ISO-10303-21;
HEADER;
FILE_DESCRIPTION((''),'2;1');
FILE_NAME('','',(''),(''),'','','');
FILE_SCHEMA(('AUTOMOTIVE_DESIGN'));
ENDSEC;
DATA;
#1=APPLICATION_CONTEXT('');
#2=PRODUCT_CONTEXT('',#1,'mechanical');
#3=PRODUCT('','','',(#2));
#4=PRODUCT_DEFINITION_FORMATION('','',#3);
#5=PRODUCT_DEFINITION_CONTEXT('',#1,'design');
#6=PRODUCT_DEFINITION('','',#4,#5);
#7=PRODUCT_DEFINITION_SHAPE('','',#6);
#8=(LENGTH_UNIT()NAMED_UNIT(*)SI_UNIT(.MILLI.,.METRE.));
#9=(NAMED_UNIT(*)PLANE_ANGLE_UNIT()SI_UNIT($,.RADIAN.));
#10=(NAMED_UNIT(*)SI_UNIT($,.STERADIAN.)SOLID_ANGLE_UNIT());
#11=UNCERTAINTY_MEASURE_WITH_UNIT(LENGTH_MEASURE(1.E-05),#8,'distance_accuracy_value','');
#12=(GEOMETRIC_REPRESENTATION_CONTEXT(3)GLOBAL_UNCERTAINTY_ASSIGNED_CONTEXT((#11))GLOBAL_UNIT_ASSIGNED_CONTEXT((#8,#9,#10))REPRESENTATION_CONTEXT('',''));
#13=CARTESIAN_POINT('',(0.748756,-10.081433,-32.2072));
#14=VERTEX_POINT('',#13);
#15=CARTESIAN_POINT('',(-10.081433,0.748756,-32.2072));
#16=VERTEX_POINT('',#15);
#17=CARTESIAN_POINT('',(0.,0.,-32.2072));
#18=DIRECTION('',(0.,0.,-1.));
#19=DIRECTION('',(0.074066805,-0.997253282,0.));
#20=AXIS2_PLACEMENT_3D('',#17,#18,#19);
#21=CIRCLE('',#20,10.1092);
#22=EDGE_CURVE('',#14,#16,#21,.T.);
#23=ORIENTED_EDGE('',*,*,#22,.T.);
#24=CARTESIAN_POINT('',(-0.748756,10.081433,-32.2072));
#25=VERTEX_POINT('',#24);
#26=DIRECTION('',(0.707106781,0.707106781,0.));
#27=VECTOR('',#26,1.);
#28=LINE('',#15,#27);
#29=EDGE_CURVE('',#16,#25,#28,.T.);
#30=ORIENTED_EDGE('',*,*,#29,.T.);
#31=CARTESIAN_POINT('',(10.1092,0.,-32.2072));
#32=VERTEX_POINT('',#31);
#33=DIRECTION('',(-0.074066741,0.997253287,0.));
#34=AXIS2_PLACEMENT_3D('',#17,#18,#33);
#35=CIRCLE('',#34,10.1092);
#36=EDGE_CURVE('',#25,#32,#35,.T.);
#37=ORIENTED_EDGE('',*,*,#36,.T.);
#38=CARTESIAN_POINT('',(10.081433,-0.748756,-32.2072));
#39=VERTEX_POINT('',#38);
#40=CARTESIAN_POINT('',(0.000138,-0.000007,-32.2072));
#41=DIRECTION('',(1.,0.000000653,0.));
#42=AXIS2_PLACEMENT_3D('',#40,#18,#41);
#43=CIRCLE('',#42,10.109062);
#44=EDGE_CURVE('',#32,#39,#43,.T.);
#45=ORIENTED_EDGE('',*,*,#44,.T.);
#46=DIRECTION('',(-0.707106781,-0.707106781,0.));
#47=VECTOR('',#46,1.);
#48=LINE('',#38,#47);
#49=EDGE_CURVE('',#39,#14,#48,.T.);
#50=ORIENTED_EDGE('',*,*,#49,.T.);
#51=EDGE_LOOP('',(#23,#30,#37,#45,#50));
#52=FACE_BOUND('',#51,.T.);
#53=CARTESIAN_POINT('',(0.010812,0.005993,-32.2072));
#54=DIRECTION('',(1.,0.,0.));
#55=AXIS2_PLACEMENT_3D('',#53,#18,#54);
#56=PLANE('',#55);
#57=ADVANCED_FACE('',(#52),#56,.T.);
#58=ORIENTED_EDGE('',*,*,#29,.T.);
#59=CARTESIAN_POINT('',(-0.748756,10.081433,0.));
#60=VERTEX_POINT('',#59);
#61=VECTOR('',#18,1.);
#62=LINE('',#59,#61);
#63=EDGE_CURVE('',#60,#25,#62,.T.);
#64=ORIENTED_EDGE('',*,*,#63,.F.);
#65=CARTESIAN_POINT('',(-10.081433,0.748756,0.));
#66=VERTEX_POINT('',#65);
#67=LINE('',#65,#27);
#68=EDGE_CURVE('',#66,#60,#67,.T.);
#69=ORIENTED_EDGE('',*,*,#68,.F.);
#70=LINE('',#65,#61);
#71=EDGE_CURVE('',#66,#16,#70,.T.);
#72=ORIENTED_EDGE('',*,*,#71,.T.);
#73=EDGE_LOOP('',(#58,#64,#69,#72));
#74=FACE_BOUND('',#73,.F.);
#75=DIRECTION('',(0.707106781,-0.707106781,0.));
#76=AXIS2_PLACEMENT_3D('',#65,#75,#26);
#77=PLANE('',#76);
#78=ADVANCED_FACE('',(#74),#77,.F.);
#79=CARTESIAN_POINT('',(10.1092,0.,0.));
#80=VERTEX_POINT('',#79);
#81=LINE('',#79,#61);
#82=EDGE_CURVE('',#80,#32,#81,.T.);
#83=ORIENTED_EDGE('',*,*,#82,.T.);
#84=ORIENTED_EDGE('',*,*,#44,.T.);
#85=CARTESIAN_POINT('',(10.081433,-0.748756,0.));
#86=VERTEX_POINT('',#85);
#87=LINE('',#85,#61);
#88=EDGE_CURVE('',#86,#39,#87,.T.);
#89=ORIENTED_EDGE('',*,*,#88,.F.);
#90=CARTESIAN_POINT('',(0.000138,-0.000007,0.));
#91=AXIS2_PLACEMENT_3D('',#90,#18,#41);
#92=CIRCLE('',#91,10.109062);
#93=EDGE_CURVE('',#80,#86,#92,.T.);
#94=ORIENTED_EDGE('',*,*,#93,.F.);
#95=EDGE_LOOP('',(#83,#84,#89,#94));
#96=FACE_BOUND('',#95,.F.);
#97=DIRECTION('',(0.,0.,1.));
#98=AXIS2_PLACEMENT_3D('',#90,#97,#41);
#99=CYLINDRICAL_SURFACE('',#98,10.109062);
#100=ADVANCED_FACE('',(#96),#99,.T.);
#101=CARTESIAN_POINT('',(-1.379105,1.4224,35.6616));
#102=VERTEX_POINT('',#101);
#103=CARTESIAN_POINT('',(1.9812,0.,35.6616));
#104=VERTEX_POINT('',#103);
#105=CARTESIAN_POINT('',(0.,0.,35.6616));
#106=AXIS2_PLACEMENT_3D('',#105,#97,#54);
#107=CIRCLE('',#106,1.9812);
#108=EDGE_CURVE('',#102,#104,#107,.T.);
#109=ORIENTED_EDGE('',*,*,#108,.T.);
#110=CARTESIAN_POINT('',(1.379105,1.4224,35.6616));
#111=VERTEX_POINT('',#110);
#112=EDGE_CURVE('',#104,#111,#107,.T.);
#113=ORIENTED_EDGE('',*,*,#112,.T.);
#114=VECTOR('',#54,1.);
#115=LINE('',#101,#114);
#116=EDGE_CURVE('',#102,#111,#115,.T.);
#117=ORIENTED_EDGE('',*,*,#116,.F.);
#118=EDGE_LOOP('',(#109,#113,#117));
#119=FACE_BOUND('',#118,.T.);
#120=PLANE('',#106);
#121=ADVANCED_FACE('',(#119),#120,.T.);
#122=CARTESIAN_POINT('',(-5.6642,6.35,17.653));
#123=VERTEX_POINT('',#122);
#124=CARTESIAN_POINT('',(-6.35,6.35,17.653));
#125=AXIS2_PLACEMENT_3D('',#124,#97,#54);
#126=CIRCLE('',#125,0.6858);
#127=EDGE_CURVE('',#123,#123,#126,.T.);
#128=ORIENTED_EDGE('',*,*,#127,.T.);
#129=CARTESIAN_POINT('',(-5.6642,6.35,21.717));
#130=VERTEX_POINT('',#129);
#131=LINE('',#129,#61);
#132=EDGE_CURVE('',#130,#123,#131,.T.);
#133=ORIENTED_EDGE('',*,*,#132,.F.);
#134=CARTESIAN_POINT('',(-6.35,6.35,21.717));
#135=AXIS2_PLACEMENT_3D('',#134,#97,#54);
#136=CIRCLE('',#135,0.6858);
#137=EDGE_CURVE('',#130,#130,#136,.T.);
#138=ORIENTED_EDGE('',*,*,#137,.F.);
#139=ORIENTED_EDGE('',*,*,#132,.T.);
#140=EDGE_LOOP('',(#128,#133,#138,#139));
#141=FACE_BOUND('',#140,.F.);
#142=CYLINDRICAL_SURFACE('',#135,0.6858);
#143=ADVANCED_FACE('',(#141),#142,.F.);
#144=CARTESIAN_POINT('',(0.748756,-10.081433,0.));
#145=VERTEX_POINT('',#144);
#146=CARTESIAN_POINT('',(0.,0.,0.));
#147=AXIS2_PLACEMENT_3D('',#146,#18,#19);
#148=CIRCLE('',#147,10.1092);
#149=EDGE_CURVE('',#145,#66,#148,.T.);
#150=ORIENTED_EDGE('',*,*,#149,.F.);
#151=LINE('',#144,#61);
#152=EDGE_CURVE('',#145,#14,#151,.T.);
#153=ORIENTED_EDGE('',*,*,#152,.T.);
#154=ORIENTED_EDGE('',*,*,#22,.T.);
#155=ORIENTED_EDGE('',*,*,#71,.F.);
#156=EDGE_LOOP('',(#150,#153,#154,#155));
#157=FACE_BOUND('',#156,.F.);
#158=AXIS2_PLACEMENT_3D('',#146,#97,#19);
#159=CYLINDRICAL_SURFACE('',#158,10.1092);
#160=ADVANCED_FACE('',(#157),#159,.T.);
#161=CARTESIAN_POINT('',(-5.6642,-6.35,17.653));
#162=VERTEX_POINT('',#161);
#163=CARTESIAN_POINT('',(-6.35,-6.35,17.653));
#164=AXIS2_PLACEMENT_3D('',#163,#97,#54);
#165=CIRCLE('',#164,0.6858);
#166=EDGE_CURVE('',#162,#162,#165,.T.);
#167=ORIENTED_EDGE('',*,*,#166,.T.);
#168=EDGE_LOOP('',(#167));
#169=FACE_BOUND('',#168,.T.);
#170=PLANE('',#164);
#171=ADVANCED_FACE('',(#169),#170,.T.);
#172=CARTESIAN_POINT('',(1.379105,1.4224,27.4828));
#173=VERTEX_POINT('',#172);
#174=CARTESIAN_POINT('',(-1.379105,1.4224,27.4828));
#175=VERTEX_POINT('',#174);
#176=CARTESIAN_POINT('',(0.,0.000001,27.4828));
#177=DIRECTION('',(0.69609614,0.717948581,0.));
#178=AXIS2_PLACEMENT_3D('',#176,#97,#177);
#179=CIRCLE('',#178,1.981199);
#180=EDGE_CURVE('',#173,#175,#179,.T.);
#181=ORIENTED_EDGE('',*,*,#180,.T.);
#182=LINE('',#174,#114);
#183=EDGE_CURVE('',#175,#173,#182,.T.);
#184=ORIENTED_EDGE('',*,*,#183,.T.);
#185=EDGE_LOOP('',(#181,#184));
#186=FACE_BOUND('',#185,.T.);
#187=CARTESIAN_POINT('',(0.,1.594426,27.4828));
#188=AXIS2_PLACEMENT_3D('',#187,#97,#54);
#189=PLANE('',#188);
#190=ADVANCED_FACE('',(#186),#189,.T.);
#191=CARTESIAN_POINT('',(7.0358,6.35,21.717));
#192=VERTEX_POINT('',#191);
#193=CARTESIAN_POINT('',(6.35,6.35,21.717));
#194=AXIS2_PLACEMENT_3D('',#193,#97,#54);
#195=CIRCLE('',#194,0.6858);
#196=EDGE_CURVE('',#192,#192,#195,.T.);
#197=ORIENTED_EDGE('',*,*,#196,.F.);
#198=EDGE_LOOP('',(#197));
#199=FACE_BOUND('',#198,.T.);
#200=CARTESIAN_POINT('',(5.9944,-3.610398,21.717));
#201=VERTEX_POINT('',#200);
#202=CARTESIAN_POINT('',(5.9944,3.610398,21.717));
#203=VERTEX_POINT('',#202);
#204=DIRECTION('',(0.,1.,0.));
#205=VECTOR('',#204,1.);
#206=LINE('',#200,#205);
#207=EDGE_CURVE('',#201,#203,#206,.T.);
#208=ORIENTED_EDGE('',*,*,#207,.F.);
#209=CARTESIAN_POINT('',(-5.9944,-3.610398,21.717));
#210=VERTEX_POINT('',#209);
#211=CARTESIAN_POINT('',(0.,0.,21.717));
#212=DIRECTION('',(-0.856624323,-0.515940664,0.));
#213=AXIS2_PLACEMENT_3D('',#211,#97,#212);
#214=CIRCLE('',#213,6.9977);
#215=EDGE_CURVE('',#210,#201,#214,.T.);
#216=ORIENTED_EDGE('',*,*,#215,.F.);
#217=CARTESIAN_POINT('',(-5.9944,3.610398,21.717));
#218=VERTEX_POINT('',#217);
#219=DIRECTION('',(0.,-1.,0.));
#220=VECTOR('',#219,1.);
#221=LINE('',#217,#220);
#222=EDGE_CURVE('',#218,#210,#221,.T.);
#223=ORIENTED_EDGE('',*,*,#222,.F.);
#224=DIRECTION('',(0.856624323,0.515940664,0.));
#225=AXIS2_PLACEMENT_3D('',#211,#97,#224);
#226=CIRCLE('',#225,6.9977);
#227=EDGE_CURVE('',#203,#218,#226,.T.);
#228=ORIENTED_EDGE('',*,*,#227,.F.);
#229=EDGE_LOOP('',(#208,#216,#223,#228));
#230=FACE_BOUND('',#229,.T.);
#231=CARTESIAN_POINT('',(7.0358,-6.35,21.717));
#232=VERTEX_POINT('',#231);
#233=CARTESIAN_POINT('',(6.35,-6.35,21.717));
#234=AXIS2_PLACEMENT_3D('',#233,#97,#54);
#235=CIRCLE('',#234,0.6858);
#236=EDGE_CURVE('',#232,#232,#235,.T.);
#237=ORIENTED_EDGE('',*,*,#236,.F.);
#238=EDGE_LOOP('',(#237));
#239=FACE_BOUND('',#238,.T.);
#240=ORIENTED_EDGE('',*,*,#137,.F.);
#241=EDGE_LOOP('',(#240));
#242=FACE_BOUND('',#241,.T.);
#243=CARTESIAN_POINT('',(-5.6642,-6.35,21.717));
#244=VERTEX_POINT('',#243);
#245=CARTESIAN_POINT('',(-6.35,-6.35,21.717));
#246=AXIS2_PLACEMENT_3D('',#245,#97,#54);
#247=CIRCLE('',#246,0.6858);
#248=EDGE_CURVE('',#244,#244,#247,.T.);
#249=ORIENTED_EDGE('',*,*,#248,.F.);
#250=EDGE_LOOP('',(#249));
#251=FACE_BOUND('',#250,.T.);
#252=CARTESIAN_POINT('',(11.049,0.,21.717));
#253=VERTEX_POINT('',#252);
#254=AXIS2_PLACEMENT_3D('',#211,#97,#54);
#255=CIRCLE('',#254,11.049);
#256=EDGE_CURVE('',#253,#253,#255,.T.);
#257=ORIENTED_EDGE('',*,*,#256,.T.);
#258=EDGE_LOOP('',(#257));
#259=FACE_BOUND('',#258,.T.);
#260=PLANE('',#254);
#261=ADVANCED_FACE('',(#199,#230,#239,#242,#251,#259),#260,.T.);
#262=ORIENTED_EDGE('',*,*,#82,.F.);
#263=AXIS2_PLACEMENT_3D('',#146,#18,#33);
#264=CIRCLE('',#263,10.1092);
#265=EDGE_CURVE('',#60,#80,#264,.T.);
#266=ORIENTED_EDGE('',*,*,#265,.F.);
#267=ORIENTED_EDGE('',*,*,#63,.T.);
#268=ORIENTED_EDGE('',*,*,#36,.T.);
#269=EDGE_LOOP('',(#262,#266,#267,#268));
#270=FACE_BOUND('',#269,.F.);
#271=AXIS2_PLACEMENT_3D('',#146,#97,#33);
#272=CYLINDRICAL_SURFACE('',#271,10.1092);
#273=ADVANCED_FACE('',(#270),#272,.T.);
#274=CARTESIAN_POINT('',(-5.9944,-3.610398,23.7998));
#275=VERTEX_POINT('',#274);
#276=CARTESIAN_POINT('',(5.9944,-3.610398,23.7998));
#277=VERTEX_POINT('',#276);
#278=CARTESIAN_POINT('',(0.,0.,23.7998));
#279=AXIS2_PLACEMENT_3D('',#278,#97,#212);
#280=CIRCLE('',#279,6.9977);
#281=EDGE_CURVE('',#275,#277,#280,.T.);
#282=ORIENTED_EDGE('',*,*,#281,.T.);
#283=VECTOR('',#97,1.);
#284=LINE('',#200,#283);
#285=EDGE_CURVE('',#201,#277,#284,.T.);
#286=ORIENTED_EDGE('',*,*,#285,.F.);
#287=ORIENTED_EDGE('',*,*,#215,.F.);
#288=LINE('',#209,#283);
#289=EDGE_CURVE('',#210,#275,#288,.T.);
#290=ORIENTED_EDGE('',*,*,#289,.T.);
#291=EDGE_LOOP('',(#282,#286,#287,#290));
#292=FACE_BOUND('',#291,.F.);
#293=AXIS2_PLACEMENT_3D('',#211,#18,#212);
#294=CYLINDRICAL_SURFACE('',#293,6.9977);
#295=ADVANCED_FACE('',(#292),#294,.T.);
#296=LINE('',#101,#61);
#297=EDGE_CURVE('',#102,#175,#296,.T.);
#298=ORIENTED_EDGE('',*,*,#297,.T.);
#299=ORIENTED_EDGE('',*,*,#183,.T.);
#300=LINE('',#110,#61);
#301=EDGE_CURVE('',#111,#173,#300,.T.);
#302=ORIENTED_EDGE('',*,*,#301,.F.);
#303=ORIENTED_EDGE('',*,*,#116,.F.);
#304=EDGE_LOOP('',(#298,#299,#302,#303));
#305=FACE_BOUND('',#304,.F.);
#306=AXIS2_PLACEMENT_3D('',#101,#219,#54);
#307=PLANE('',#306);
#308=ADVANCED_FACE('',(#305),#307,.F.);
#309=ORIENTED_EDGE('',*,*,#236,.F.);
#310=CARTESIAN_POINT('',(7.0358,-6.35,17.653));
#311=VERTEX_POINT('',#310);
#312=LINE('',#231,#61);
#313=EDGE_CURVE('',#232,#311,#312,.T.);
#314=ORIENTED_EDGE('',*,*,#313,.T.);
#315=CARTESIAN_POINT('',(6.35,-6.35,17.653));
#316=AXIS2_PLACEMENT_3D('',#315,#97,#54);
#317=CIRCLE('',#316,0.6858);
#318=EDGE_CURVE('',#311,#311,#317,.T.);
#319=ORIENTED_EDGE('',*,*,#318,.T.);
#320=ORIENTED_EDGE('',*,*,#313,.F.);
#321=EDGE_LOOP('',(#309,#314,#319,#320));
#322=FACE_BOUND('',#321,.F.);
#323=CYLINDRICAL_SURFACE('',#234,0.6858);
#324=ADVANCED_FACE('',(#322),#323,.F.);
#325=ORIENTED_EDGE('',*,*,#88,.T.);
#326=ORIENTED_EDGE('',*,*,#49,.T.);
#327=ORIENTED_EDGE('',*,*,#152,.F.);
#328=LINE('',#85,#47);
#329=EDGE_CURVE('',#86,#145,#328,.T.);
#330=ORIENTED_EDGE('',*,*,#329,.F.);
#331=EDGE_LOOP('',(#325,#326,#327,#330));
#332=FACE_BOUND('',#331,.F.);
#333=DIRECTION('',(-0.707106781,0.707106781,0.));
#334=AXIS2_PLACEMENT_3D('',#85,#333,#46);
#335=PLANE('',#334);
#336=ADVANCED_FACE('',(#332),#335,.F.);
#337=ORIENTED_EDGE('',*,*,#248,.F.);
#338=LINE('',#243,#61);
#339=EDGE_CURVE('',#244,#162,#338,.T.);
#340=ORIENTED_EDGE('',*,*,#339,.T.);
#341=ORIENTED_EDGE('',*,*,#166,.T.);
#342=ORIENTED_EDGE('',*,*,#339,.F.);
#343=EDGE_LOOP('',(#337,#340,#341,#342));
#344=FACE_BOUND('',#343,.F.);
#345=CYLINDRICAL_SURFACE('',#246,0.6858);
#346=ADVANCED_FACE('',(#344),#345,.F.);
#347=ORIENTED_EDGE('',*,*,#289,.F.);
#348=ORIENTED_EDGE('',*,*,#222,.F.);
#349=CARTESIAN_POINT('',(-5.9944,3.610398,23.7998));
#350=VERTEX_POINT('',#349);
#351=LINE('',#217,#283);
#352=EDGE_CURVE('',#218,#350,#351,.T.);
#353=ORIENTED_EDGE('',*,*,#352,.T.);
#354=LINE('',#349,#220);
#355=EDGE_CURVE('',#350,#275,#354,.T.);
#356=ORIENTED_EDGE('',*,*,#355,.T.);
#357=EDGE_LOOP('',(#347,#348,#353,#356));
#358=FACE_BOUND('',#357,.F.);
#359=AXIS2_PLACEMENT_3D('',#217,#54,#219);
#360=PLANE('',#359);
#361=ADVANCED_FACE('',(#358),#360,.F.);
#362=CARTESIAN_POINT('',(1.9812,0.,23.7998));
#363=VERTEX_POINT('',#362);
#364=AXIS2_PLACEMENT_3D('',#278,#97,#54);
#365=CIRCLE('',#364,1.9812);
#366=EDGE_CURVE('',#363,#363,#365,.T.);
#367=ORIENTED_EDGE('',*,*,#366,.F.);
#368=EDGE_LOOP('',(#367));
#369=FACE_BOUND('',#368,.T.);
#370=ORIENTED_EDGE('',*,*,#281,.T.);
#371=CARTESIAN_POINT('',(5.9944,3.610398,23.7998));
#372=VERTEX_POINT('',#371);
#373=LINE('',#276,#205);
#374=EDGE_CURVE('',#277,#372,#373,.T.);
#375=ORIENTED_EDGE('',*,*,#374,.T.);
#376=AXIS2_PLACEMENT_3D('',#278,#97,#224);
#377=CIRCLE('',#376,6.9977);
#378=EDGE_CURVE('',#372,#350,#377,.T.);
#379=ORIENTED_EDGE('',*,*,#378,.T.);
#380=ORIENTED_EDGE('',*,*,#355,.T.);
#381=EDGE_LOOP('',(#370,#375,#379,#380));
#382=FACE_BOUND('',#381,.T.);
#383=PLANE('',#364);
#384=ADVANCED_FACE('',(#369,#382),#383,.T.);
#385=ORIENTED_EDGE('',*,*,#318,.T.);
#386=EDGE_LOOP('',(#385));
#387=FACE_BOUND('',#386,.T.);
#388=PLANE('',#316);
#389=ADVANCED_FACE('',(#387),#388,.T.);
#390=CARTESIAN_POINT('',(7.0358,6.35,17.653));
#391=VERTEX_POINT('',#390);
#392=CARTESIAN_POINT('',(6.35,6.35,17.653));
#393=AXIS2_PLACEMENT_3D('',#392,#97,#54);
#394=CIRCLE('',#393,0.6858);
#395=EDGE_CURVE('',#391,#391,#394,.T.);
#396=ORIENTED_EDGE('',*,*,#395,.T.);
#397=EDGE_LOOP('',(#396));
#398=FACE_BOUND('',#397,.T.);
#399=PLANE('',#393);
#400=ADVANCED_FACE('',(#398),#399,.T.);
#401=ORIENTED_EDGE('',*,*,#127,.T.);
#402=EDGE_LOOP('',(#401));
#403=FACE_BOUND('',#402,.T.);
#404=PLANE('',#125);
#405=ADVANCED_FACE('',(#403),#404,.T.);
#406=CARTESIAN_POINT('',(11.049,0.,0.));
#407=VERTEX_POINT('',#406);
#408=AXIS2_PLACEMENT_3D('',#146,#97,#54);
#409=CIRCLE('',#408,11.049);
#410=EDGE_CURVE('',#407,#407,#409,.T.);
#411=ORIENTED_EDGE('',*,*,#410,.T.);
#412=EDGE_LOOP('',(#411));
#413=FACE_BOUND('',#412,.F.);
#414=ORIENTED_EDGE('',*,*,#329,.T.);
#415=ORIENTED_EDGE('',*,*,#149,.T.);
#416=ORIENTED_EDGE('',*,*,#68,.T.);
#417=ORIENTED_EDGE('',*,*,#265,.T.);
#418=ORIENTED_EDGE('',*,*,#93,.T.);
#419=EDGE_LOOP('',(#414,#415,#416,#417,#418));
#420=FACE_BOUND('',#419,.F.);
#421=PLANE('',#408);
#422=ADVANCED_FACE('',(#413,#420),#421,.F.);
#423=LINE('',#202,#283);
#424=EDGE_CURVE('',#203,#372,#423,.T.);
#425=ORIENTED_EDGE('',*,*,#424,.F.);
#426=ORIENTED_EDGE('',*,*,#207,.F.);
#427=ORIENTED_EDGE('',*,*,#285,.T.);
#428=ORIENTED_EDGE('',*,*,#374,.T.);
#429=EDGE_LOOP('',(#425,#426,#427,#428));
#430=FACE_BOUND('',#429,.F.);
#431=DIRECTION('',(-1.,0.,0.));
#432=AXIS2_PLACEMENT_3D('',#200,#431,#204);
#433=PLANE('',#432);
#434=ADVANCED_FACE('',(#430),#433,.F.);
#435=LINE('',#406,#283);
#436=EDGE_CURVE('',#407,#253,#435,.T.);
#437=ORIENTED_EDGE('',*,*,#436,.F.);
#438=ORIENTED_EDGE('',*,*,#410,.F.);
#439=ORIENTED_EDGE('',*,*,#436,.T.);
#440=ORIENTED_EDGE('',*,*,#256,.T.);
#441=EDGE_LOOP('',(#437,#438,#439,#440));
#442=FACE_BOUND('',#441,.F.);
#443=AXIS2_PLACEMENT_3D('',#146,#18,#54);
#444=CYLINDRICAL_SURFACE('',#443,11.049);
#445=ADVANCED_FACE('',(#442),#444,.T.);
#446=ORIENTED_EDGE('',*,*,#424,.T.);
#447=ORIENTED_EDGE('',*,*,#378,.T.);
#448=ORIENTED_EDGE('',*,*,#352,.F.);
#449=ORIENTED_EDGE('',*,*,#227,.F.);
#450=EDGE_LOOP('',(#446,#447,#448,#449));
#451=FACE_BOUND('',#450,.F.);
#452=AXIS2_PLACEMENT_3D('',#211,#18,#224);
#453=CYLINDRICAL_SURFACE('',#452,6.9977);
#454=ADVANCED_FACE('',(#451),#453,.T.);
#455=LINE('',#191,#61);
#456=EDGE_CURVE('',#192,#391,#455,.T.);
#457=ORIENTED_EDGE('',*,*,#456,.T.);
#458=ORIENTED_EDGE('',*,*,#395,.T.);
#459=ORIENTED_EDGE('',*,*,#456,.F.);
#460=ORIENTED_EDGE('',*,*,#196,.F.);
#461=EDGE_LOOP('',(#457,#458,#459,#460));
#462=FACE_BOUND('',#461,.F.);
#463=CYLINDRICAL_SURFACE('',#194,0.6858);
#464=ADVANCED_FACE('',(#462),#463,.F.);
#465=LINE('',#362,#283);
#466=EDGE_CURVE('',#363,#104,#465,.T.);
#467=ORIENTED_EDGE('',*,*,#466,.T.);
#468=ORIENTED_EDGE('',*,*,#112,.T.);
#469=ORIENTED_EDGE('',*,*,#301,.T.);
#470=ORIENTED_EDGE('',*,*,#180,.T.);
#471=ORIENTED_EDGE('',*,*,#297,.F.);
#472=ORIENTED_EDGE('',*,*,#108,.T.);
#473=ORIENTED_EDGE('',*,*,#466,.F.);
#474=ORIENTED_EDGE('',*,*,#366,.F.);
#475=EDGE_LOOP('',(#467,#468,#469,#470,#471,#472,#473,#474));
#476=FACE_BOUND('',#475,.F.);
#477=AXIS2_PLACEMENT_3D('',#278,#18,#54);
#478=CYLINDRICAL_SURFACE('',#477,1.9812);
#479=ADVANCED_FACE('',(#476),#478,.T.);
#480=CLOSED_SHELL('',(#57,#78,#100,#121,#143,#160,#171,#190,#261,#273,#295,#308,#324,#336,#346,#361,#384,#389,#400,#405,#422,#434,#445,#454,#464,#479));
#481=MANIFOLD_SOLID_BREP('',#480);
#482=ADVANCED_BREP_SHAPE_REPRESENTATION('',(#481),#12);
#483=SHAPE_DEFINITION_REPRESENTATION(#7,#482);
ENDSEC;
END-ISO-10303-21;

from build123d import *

# Parameters (mm, degrees)
F0_R      = 11.049
F1_DEPTH  = 21.717
F3_DEPTH  = 2.0828
F4_R      = 1.9812
F5_DEPTH  = 11.8618
F7_DEPTH  = 8.1788
F8_R      = 0.6858
F9_DEPTH  = 4.064
F11_DEPTH = 32.2072


with BuildPart() as f1:
    # F0 (on Top) → F1 (new body)
    with BuildSketch(Plane.XY):
        Circle(F0_R)
    extrude(amount=F1_DEPTH)

    # F2 (on face) → F3 (join)
    with BuildSketch(Plane.XY.offset(21.717)):
        with BuildLine():
            Line((5.9944, -3.610398), (5.9944, 3.610398))
            ThreePointArc((5.9944, 3.610398), (0, 6.9977), (-5.9944, 3.610398))
            Line((-5.9944, 3.610398), (-5.9944, -3.610398))
            ThreePointArc((-5.9944, -3.610398), (0, -6.9977), (5.9944, -3.610398))
        make_face()
    extrude(amount=F3_DEPTH)

    # F4 (on face) → F5 (join)
    with BuildSketch(Plane.XY.offset(23.7998)):
        Circle(F4_R)
    extrude(amount=F5_DEPTH)

    # F6 (on face) → F7 (cut)
    with BuildSketch(Plane.XY.offset(35.6616)):
        with BuildLine():
            ThreePointArc((1.379105, 1.4224), (0, 1.9812), (-1.379105, 1.4224))
            Line((-1.379105, 1.4224), (1.379105, 1.4224))
        make_face()
    extrude(amount=-F7_DEPTH, mode=Mode.SUBTRACT)

    # F8 (on face) → F9 (cut)
    with BuildSketch(Plane.XY.offset(21.717)):
        with Locations((-6.35, 6.35)):
            Circle(F8_R)
        with Locations((6.35, 6.35)):
            Circle(F8_R)
        with Locations((6.35, -6.35)):
            Circle(F8_R)
        with Locations((-6.35, -6.35)):
            Circle(F8_R)
    extrude(amount=-F9_DEPTH, mode=Mode.SUBTRACT)

    # F10 (on face) → F11 (join)
    with BuildSketch(Plane(origin=(0, 0, 0), x_dir=(1, 0, 0), z_dir=(0, 0, -1))):
        with BuildLine():
            ThreePointArc((-0.748756, -10.081433), (6.878466, -7.408281), (10.1092, 0))
            ThreePointArc((10.1092, 0), (10.102256, 0.374635), (10.081433, 0.748756))
            Line((10.081433, 0.748756), (0.748756, 10.081433))
            ThreePointArc((0.748756, 10.081433), (-7.148284, 7.148284), (-10.081433, -0.748756))
            Line((-10.081433, -0.748756), (-0.748756, -10.081433))
        make_face()
    extrude(amount=F11_DEPTH)


solid = f1.part
